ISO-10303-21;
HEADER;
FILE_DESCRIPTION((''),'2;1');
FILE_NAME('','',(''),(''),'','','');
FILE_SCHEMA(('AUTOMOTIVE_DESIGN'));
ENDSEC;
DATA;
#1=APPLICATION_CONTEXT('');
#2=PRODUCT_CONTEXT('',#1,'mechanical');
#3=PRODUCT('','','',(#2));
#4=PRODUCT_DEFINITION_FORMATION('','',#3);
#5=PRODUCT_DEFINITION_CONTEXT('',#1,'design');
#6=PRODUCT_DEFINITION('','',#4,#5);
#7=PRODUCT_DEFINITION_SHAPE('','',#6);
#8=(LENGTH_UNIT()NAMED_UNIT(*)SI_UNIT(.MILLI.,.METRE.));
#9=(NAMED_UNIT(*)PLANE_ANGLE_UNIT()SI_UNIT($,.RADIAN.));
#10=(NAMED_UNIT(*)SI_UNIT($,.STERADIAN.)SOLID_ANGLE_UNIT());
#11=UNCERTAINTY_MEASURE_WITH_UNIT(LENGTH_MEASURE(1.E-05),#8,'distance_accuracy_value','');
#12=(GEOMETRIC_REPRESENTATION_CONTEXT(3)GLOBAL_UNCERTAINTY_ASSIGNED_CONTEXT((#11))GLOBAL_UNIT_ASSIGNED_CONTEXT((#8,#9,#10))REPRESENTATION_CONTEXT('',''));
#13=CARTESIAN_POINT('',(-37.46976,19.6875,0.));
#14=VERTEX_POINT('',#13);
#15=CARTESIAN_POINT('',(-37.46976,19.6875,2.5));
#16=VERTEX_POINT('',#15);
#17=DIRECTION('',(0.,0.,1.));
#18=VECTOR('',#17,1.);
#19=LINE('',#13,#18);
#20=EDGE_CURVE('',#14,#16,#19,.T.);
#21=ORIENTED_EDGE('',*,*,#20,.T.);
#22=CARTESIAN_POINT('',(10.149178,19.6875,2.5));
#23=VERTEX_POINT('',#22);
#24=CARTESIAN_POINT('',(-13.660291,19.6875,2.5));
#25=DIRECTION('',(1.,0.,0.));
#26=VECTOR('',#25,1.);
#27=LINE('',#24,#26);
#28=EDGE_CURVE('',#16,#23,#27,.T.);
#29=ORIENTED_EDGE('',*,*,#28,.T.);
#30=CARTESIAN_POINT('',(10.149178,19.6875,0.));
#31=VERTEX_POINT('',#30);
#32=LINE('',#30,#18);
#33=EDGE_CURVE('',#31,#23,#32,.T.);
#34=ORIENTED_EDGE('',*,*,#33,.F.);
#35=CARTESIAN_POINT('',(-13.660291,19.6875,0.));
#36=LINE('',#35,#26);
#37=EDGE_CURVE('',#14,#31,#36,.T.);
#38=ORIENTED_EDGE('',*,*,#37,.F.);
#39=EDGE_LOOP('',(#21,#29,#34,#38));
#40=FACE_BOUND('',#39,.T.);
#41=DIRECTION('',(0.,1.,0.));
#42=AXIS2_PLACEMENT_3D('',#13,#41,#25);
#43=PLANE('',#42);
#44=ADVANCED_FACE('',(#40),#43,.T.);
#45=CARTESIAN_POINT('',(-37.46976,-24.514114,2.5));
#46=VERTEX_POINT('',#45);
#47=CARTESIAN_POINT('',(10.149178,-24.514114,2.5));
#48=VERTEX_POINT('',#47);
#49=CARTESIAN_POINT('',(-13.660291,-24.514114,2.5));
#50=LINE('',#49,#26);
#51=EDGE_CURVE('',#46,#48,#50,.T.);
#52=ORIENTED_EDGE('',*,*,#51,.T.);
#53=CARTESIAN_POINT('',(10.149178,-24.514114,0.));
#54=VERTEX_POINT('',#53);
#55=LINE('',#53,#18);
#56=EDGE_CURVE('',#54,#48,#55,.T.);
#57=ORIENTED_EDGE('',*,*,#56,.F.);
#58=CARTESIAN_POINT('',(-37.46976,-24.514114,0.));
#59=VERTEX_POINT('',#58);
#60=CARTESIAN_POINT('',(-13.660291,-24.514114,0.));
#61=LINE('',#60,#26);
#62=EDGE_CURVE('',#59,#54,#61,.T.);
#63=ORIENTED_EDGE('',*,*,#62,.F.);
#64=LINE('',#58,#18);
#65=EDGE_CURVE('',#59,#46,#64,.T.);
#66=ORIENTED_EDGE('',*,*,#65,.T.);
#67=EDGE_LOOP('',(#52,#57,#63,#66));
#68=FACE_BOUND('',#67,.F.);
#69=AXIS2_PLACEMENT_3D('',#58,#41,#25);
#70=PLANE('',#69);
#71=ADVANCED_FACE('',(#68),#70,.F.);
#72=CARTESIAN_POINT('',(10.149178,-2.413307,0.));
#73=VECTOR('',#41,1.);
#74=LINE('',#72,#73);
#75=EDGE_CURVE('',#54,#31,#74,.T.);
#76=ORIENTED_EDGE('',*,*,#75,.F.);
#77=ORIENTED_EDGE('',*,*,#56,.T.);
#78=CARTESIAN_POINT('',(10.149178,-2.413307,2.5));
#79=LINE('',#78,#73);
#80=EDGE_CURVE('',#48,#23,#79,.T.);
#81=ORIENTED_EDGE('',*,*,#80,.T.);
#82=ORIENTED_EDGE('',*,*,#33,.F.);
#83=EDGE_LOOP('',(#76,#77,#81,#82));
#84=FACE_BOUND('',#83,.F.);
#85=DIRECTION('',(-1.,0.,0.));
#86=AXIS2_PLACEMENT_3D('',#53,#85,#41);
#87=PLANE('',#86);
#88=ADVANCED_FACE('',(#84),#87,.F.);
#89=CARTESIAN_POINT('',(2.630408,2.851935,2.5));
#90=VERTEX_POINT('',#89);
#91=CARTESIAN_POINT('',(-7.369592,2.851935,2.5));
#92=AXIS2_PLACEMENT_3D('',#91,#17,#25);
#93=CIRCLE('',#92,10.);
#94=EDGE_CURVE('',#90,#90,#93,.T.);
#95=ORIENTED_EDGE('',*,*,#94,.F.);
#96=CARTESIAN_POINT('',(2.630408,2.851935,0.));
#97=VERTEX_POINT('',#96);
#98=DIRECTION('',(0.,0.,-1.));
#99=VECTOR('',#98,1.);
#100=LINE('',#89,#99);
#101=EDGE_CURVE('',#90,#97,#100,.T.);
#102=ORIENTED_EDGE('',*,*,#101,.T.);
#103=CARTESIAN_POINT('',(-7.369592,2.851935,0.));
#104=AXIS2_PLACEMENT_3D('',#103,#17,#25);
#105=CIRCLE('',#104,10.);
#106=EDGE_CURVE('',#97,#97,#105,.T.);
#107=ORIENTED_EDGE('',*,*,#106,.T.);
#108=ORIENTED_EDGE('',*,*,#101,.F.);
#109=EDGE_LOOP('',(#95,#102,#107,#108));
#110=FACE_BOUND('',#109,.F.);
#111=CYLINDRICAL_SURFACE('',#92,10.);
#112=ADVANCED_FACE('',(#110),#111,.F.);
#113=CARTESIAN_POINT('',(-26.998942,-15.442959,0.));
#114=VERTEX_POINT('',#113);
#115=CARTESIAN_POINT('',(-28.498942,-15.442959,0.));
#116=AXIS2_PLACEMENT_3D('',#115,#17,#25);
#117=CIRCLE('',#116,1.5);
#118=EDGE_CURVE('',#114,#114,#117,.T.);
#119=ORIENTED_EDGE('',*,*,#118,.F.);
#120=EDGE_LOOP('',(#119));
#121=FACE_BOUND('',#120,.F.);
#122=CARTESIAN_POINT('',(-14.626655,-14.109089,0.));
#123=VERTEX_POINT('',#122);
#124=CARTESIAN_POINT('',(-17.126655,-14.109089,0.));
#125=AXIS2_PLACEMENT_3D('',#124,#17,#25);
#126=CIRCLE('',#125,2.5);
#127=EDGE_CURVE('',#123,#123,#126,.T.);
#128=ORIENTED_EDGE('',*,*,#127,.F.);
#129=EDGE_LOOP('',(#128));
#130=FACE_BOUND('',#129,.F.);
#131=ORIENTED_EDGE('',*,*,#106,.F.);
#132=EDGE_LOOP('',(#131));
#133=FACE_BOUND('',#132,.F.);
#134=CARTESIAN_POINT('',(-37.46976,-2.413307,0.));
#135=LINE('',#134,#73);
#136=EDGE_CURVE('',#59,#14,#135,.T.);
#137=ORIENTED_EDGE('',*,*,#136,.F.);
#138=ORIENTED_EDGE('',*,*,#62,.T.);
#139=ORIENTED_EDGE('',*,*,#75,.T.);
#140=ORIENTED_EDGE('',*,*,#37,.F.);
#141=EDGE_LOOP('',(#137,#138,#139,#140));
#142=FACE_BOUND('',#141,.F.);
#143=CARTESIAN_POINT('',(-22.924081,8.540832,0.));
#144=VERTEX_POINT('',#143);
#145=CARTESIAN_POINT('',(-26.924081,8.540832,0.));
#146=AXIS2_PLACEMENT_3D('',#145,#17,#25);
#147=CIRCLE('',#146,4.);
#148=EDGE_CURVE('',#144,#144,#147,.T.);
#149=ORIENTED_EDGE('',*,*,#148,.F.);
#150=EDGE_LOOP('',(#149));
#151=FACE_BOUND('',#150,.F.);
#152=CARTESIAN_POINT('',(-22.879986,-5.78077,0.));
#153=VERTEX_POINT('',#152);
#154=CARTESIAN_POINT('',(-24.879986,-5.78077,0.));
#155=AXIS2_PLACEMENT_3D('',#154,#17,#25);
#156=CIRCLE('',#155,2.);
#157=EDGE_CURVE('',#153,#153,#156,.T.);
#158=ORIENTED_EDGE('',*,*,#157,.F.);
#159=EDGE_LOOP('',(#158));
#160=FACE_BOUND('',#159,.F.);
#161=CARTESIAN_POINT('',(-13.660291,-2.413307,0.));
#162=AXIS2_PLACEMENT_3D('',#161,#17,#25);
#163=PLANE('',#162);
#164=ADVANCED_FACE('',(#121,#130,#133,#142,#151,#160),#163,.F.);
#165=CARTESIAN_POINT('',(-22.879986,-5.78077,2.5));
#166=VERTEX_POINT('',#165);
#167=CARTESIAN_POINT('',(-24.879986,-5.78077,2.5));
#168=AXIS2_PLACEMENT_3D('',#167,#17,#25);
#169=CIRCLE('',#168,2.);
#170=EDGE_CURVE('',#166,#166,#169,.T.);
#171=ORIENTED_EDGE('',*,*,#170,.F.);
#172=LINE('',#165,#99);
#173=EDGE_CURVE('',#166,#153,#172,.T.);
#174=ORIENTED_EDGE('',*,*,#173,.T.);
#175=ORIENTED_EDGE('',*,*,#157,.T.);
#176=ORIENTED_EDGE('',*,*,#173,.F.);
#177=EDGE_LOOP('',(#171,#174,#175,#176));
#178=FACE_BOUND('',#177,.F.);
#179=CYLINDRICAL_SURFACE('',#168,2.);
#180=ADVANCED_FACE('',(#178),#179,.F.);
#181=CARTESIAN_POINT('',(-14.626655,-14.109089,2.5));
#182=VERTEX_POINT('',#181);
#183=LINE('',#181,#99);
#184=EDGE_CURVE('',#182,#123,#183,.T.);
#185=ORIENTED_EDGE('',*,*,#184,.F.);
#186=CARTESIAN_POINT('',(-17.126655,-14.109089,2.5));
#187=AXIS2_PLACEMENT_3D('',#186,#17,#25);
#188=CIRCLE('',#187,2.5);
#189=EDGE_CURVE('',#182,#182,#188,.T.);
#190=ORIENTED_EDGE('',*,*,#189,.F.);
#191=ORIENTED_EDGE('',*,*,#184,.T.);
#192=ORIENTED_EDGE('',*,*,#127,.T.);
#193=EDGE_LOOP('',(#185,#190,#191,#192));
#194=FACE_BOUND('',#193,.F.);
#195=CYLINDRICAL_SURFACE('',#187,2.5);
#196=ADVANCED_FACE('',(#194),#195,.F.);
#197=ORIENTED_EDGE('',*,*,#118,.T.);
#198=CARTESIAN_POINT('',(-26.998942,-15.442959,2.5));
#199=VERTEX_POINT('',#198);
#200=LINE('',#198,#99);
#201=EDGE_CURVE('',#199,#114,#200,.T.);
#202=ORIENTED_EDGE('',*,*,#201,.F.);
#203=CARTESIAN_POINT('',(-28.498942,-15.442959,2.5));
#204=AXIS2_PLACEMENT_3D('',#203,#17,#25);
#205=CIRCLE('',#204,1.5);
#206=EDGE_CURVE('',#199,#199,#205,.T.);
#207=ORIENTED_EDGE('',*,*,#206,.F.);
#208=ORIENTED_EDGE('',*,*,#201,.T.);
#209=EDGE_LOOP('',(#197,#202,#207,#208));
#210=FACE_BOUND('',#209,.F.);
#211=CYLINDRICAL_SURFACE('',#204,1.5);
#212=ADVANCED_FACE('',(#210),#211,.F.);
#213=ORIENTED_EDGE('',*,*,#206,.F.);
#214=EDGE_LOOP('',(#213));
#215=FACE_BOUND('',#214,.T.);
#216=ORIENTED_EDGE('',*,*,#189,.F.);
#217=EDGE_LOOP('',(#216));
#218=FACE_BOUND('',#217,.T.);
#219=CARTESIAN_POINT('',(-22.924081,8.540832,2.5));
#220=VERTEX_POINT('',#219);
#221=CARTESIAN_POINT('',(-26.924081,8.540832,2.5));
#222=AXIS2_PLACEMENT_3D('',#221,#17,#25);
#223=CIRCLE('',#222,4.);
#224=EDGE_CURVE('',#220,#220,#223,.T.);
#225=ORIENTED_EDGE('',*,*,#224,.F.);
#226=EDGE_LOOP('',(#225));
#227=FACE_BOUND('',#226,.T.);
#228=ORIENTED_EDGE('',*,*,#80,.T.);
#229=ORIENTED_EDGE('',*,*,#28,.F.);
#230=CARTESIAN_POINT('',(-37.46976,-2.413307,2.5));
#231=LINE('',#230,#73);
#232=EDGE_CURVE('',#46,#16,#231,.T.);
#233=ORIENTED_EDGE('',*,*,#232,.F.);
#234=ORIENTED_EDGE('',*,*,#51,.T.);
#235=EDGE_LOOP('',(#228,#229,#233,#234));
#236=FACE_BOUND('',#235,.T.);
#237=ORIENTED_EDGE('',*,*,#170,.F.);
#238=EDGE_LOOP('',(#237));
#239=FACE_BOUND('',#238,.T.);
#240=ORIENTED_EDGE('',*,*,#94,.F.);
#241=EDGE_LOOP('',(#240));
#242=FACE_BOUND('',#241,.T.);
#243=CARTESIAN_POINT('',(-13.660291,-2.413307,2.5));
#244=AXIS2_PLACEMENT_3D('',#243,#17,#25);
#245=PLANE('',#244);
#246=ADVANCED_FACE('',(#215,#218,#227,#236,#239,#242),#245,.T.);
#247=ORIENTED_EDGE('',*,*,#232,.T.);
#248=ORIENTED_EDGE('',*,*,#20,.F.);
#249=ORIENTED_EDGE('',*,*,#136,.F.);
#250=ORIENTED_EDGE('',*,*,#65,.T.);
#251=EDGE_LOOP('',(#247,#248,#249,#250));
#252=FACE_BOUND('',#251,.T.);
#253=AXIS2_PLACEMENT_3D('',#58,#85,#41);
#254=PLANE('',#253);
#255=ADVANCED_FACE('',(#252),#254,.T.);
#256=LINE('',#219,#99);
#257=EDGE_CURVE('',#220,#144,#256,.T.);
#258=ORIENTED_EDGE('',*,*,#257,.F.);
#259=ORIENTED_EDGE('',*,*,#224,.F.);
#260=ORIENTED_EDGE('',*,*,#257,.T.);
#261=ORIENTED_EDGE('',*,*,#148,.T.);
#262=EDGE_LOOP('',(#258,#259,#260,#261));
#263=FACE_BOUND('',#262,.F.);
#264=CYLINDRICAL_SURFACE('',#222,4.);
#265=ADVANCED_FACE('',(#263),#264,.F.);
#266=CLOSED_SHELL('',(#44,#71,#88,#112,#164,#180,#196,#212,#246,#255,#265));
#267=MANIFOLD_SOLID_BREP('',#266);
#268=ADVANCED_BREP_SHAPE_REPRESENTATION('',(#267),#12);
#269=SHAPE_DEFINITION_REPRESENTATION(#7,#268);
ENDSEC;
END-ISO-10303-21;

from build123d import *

# Parameters (mm, degrees)
F0_W     = 47.618939
F0_H     = 44.201614
F1_DEPTH = 2.5
F2_R     = 1.5
F2_R_2   = 4
F2_R_3   = 10
F2_R_4   = 2
F2_R_5   = 2.5
F3_DEPTH = 3


with BuildPart() as f1:
    # F0 (on Top) → F1 (new body)
    with BuildSketch(Plane.XY):
        with Locations((-13.660291, -2.413307)):
            Rectangle(F0_W, F0_H)
    extrude(amount=F1_DEPTH)

    # F2 (on face) → F3 (cut)
    with BuildSketch(Plane.XY.offset(2.5)):
        with Locations((-28.498942, -15.442959)):
            Circle(F2_R)
        with Locations((-26.924081, 8.540832)):
            Circle(F2_R_2)
        with Locations((-7.369592, 2.851935)):
            Circle(F2_R_3)
        with Locations((-24.879986, -5.78077)):
            Circle(F2_R_4)
        with Locations((-17.126655, -14.109089)):
            Circle(F2_R_5)
    extrude(amount=-F3_DEPTH, mode=Mode.SUBTRACT)


solid = f1.part
